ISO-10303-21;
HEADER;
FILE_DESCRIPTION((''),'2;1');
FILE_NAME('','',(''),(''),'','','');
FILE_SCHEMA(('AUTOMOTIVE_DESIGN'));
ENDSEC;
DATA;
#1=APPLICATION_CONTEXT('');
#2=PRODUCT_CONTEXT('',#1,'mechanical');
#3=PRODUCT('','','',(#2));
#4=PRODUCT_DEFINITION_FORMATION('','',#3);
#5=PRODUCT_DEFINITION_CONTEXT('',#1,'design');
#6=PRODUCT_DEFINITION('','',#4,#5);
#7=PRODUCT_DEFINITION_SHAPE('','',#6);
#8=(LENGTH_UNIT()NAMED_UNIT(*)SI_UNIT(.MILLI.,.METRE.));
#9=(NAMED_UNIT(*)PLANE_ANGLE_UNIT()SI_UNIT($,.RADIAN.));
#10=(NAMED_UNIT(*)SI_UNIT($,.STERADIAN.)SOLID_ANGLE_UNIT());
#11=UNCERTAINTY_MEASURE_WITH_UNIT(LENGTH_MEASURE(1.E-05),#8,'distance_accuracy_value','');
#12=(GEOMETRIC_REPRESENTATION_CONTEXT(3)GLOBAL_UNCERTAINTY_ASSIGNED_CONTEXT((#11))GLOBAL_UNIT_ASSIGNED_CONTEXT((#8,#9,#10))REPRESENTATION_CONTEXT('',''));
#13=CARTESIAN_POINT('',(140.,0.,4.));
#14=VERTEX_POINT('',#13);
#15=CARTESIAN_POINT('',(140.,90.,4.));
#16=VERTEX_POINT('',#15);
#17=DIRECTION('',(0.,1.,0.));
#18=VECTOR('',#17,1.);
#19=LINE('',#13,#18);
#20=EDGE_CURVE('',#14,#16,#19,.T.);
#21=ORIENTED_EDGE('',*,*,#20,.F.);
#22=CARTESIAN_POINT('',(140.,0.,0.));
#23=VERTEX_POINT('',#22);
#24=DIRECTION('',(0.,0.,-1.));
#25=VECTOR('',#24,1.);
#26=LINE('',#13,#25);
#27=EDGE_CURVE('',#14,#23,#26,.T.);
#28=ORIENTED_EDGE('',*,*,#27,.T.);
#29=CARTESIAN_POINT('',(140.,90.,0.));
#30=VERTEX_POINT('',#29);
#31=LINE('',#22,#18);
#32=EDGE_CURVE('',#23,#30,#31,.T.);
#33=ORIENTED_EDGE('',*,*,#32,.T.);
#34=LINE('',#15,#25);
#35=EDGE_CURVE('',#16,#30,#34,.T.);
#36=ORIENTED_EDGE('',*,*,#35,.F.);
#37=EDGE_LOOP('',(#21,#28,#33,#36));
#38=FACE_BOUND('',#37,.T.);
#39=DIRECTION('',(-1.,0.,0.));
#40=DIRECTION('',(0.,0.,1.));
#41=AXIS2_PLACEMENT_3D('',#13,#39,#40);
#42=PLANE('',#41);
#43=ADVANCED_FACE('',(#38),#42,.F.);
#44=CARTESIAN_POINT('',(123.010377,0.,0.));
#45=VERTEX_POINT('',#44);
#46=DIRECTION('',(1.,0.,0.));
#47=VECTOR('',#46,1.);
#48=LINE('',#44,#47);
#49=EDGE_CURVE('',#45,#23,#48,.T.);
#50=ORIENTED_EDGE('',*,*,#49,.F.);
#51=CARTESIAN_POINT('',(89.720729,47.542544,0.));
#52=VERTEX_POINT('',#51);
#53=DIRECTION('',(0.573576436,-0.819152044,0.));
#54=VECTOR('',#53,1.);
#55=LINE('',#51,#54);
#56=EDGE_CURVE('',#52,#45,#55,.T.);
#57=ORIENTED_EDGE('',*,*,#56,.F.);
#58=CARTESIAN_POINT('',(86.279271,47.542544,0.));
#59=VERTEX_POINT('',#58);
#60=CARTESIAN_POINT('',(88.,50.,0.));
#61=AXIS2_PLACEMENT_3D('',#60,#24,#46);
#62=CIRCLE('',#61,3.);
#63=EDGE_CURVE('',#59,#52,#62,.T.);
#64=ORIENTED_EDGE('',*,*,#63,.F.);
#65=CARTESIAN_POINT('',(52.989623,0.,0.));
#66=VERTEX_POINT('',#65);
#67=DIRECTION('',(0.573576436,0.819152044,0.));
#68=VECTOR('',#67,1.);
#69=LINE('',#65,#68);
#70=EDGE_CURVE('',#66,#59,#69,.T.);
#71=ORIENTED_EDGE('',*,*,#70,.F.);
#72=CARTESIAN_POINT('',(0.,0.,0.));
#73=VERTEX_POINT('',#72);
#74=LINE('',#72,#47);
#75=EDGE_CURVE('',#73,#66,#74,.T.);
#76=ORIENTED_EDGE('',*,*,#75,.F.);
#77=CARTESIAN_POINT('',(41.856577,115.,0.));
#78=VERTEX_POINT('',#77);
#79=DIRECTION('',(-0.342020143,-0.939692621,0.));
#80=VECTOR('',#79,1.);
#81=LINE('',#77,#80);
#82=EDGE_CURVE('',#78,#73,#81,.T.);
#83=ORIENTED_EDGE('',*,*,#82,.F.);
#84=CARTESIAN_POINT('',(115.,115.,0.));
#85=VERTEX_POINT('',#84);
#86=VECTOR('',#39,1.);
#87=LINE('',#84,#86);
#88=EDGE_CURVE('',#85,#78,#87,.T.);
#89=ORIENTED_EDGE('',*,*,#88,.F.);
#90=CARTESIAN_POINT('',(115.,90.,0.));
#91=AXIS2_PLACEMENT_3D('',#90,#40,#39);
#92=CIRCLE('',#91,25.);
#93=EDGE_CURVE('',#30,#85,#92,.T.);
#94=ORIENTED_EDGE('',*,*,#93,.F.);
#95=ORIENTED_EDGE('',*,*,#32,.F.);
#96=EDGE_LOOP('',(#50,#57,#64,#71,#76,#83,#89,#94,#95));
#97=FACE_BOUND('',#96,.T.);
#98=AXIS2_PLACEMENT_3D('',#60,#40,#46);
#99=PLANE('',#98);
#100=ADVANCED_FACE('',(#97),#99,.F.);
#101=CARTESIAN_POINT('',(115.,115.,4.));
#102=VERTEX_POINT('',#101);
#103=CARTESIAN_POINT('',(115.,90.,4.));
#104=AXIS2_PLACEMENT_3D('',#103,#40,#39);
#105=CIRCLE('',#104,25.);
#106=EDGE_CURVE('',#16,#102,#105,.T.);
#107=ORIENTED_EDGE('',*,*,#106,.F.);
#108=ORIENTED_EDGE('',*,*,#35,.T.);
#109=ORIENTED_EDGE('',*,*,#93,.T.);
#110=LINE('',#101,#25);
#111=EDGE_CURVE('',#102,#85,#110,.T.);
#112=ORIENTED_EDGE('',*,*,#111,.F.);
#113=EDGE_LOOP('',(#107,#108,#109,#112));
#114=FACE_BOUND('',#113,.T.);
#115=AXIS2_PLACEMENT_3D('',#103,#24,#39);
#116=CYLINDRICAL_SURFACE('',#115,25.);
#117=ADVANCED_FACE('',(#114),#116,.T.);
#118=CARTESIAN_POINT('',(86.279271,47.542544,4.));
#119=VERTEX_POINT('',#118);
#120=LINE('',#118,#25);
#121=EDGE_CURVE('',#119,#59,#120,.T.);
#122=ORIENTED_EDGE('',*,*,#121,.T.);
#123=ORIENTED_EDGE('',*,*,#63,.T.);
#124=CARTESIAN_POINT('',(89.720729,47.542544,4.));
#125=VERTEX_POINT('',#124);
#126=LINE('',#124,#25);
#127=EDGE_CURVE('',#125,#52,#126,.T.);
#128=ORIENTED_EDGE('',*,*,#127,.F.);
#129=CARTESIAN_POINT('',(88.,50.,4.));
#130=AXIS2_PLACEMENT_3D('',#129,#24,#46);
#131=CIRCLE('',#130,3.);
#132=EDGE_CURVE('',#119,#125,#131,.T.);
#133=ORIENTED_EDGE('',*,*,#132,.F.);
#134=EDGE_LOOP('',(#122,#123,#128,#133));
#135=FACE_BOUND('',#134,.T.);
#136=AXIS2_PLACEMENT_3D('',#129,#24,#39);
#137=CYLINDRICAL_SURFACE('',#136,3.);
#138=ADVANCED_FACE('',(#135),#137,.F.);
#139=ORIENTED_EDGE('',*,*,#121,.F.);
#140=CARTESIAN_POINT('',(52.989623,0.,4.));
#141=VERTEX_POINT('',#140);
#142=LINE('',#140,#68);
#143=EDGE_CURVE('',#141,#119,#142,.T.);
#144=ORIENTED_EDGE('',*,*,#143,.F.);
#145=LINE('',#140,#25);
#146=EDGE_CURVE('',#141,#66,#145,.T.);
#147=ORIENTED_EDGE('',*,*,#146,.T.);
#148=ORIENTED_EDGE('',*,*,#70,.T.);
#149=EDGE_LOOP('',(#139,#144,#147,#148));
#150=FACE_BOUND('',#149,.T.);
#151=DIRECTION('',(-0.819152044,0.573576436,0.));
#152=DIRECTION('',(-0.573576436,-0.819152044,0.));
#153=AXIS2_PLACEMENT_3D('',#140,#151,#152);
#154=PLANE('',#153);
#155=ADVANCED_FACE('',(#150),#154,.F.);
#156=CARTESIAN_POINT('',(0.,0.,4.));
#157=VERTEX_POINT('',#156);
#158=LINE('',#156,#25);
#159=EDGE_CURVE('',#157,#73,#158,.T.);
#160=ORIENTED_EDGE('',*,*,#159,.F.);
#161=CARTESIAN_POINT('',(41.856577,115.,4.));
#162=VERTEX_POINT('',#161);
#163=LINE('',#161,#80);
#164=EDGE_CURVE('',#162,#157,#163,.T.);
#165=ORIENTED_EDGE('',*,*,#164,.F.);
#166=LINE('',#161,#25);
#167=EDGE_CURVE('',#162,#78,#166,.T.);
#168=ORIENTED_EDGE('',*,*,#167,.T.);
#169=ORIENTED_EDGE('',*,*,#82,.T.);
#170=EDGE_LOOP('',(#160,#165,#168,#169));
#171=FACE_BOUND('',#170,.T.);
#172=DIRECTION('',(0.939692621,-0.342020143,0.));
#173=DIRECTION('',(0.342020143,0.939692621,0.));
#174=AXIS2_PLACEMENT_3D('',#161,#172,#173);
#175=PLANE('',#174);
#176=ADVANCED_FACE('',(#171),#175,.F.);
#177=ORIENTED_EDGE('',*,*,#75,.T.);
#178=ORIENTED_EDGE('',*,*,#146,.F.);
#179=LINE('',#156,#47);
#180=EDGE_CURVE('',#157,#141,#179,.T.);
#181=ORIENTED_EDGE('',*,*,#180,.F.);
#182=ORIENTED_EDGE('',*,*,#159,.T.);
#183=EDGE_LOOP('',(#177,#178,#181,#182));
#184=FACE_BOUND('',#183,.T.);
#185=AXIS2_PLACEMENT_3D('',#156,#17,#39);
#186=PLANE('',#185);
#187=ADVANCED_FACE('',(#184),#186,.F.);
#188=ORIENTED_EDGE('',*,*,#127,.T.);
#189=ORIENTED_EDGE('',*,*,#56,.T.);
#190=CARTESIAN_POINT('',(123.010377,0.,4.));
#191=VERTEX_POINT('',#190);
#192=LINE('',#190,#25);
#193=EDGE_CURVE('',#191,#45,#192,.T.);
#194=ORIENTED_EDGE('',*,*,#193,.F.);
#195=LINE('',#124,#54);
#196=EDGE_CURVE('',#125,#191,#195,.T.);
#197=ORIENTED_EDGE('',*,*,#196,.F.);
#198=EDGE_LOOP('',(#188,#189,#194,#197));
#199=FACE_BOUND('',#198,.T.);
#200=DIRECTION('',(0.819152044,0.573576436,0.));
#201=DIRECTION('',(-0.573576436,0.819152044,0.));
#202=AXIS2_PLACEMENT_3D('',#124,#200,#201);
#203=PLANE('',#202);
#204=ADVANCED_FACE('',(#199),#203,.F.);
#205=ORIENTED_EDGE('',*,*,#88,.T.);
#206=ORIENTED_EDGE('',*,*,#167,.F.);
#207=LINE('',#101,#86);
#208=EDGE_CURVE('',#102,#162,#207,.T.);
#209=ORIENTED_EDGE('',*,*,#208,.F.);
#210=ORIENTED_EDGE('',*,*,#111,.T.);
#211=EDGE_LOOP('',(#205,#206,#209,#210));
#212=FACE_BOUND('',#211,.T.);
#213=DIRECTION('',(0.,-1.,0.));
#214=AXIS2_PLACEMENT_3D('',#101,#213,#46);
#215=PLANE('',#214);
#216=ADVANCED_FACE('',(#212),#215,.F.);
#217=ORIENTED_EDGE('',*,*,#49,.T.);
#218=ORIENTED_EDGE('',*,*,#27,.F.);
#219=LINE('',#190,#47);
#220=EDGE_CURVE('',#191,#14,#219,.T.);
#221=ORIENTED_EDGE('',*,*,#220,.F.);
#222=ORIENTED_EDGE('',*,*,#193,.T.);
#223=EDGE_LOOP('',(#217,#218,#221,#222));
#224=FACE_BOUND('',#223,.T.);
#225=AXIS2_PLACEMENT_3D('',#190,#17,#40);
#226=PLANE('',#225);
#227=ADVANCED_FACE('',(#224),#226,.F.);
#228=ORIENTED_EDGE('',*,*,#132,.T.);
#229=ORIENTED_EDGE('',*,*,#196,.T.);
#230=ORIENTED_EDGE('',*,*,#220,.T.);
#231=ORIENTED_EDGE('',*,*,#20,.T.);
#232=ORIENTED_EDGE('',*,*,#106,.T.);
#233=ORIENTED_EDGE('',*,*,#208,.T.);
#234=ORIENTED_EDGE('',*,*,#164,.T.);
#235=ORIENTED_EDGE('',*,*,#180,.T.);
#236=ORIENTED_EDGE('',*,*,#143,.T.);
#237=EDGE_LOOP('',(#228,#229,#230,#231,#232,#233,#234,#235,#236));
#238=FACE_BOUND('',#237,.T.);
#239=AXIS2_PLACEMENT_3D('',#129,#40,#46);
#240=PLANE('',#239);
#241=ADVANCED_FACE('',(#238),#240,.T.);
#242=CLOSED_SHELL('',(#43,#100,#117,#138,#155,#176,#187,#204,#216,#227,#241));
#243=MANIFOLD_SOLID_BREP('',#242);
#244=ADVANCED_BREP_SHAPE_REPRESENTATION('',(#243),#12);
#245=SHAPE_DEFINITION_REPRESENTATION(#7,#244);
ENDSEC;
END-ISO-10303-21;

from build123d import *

# Parameters (mm, degrees)
AUFSATZ_LINEAR_AUSTRAGEN1_DEPTH = 4


with BuildPart() as part:
    # Skizze1 → Aufsatz-Linear austragen1 (new body)
    with BuildSketch(Plane.XY):
        with BuildLine():
            Line((0, 0), (52.98962309, 0))
            Line((52.98962309, 0), (86.279270691, 47.542543867))
            ThreePointArc((86.279270691, 47.542543867), (88, 53), (89.720729309, 47.542543867))
            Line((89.720729309, 47.542543867), (123.01037691, 0))
            Line((123.01037691, 0), (140, 0))
            Line((140, 0), (140, 90))
            ThreePointArc((140, 90), (132.67766953, 107.67766953), (115, 115))
            Line((115, 115), (41.856576941, 115))
            Line((41.856576941, 115), (0, 0))
        make_face()
    extrude(amount=AUFSATZ_LINEAR_AUSTRAGEN1_DEPTH)


solid = part.part
